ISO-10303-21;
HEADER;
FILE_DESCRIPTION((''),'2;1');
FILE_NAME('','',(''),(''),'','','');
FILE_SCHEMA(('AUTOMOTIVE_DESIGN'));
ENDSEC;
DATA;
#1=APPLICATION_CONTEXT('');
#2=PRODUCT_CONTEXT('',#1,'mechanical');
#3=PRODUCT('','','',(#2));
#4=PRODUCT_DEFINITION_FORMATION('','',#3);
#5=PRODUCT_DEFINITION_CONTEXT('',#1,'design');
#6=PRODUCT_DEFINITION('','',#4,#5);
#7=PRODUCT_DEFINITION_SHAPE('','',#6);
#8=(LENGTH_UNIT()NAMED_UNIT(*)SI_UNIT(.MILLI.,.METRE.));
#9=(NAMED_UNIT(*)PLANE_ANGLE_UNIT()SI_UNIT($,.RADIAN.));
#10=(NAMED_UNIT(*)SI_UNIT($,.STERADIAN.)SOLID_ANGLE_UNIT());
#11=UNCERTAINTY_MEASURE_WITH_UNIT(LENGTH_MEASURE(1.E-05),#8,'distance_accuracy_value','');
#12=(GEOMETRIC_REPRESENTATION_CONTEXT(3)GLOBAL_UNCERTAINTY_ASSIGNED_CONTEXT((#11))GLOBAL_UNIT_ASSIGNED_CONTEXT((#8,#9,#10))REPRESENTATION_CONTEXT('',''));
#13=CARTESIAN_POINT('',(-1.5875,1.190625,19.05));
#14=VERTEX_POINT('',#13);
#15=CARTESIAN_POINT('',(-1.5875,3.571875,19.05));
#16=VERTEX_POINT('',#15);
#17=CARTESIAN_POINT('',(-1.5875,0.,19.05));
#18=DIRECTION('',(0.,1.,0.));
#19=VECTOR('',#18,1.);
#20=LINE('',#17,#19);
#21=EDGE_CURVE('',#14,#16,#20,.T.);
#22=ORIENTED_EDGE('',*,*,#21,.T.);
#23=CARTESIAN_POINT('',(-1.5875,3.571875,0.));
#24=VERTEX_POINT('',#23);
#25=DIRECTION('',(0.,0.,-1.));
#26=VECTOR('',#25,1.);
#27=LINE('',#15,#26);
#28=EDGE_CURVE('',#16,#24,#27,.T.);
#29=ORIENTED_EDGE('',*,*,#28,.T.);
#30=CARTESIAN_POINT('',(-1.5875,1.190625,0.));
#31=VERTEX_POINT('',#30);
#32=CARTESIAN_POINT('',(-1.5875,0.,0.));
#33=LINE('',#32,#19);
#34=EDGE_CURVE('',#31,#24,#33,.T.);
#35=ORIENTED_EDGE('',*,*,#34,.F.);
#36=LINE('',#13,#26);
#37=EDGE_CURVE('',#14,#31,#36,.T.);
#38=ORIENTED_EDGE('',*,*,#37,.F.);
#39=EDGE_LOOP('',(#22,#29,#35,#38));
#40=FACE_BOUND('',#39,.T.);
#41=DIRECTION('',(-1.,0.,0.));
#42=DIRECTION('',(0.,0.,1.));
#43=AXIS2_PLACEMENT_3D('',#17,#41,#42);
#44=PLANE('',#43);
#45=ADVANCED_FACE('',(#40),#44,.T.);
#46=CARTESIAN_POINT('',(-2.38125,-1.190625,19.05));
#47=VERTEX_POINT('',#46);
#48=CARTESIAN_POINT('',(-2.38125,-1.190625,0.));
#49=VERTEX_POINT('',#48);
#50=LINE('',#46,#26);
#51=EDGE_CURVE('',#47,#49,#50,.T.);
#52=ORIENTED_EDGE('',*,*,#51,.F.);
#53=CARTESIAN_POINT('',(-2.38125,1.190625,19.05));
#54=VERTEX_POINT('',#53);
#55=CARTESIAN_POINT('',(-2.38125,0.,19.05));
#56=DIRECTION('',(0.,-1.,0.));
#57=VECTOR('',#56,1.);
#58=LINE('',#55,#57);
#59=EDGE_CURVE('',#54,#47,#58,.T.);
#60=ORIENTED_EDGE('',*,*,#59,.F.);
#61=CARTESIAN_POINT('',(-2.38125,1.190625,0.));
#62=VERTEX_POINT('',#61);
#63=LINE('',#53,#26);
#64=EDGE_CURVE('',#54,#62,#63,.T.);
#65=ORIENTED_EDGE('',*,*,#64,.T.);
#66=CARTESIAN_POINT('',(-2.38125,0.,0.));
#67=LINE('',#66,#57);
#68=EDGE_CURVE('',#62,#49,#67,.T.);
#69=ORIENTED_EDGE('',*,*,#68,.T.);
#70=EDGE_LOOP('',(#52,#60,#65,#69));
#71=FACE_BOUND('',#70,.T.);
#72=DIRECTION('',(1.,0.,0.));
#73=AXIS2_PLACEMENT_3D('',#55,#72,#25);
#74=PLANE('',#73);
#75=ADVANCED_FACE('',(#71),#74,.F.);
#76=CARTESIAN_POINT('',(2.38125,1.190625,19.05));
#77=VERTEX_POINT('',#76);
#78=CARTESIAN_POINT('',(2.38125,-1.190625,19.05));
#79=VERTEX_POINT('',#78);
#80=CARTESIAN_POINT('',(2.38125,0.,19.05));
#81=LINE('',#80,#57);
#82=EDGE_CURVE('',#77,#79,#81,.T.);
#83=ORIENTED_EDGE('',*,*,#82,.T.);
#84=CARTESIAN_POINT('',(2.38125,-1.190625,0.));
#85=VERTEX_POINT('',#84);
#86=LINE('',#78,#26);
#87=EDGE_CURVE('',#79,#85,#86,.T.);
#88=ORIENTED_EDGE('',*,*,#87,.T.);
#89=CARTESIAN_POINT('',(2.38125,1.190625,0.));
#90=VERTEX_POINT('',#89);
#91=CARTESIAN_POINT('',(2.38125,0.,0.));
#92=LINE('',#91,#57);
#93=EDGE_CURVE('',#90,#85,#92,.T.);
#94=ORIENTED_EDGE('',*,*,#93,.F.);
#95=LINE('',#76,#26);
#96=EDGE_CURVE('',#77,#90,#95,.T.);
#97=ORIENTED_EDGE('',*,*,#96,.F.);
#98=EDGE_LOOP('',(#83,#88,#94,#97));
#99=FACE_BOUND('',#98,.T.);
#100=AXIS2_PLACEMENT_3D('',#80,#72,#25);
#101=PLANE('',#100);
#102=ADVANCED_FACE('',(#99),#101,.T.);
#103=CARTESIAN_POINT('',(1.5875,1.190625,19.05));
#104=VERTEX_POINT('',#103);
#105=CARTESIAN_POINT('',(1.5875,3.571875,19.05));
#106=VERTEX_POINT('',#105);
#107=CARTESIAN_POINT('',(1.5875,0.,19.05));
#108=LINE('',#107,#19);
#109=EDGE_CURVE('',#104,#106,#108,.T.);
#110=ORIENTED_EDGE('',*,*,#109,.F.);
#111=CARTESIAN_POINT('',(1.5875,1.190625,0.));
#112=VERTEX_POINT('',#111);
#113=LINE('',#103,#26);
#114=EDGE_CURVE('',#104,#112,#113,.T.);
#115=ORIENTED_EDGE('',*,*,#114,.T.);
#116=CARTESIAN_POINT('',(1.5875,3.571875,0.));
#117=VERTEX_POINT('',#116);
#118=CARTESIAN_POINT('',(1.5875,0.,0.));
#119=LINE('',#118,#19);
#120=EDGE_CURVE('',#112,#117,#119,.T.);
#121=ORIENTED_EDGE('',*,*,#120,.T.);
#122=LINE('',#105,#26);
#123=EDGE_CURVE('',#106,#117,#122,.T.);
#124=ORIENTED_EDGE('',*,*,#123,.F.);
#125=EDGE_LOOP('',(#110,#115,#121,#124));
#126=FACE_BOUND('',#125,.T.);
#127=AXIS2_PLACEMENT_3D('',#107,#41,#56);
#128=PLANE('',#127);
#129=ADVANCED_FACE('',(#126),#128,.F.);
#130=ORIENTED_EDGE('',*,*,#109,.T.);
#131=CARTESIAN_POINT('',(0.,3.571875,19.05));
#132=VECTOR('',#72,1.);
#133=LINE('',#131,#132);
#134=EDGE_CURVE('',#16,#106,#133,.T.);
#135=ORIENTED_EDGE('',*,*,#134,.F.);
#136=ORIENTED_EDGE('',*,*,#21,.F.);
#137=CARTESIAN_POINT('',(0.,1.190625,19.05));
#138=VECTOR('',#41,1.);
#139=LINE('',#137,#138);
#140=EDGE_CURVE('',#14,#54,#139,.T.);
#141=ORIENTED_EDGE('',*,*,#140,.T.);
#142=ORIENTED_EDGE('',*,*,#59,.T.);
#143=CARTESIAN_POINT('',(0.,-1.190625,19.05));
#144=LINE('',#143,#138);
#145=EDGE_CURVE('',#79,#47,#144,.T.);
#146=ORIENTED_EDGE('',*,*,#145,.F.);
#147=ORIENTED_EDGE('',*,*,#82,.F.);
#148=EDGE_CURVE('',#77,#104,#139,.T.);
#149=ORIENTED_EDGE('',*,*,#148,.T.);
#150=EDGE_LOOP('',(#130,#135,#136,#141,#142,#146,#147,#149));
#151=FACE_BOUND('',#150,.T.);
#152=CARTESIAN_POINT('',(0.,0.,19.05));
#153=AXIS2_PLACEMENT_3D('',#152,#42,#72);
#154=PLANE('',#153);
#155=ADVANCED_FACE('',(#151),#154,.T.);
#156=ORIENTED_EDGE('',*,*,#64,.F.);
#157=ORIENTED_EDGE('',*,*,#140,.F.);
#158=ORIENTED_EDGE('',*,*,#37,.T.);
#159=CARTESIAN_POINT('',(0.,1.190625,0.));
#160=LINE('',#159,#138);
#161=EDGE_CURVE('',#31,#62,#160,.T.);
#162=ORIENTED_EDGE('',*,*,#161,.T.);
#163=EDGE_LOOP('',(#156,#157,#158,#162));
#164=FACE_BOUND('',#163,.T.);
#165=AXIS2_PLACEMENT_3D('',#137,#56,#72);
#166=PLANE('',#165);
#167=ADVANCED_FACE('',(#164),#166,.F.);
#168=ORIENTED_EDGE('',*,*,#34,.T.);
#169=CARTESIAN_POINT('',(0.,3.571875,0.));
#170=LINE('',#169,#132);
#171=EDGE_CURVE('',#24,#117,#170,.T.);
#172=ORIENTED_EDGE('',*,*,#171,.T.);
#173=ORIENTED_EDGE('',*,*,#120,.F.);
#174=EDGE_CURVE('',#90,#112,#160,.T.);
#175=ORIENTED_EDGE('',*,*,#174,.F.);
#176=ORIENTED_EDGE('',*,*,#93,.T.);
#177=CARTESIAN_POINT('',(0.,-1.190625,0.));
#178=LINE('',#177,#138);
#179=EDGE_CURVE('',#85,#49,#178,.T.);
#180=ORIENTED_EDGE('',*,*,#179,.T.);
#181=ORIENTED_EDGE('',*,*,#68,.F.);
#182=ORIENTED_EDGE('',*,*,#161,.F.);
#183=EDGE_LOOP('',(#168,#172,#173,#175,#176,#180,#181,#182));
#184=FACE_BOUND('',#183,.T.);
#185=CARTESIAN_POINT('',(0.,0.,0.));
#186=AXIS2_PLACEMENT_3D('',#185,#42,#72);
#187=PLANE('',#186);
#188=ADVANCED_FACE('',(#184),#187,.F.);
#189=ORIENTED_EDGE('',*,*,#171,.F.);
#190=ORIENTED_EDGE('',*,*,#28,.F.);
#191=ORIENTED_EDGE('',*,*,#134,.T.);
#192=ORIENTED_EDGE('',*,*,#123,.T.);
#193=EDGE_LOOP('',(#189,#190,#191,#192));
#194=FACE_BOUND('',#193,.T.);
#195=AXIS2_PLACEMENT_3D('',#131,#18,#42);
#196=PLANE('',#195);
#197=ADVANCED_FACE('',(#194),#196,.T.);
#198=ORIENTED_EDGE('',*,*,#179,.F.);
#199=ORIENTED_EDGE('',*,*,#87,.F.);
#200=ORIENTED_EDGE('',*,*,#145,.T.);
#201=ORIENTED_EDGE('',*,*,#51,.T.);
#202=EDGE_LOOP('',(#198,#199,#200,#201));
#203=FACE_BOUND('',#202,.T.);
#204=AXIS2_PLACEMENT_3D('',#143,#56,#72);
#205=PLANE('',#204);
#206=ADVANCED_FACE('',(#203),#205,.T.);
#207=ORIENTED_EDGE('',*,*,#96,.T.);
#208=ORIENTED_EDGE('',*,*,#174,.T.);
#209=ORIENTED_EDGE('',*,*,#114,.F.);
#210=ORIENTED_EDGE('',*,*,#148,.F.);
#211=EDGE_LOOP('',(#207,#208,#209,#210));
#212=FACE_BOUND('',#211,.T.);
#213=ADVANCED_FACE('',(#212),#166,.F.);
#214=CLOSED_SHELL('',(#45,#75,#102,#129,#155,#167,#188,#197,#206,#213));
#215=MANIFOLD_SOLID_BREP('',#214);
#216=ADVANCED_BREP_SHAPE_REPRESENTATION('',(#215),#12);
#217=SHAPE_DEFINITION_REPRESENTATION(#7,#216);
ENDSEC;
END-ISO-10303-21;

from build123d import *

# Parameters (mm, degrees)
BOSS_EXTRUDE1_DEPTH = 19.05


with BuildPart() as part:
    # Sketch1 → Boss-Extrude1 (new body)
    with BuildSketch(Plane.XY):
        Polygon((2.38125, -1.190625), (2.38125, 1.190625), (1.5875, 1.190625), (1.5875, 3.571875), (-1.5875, 3.571875), (-1.5875, 1.190625), (-2.38125, 1.190625), (-2.38125, -1.190625), align=None)
    extrude(amount=BOSS_EXTRUDE1_DEPTH)


solid = part.part
